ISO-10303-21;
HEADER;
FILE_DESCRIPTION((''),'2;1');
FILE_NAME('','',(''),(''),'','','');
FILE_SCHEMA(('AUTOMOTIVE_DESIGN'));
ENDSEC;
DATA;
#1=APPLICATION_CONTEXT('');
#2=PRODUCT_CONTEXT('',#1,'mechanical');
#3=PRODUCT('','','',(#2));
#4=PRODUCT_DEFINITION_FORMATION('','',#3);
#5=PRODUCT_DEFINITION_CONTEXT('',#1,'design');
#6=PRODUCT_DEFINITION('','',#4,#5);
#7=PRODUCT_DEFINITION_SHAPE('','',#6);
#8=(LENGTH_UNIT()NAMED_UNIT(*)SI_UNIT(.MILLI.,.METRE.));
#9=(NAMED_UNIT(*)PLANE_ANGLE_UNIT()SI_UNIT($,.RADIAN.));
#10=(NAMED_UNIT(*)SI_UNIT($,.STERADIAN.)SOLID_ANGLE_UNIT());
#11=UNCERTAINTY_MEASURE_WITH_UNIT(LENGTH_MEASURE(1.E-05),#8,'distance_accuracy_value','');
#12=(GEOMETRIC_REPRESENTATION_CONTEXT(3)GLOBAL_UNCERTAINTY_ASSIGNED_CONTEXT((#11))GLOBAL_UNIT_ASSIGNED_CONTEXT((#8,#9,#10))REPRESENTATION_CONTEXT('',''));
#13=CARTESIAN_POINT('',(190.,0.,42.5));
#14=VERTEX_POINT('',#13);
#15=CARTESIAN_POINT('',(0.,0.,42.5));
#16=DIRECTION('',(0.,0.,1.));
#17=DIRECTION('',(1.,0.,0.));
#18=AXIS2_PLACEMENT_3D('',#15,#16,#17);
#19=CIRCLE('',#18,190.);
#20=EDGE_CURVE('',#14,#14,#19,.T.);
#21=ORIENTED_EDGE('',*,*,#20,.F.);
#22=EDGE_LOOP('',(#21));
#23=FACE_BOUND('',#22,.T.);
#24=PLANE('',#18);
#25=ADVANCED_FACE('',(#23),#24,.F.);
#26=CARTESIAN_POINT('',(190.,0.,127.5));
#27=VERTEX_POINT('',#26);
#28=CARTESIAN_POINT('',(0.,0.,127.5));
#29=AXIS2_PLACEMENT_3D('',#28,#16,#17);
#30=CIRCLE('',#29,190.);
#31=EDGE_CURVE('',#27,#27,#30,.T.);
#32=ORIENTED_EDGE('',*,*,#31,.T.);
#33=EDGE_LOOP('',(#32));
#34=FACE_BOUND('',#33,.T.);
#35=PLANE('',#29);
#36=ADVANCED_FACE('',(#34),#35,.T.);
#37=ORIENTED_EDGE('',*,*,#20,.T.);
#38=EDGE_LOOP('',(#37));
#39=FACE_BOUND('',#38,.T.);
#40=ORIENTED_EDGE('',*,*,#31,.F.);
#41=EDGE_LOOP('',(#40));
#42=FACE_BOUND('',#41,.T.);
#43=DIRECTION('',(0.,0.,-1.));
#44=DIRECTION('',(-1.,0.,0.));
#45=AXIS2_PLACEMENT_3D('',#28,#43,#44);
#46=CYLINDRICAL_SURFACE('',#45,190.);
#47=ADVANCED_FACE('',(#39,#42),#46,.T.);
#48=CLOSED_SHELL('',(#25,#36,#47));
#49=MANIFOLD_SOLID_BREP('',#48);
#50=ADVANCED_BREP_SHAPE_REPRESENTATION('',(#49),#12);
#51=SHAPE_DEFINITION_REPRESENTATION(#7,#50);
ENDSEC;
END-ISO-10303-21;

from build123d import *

# Parameters (mm, degrees)
IZIM3_R                     = 380
Y_KSEKLIK_EKSTR_ZYON3_DEPTH = 170
SCALE1_SCALE                = 0.5


with BuildPart() as part:
    # Çizim3 → Yükseklik-Ekstrüzyon3 (new body)
    with BuildSketch(Plane.XY):
        Circle(IZIM3_R)
    extrude(amount=Y_KSEKLIK_EKSTR_ZYON3_DEPTH)


with BuildPart() as part_1:
    # Scale1: scaled about (0, 0, 85)
    add(part.part.scale(SCALE1_SCALE).moved(Location((0, 0, 42.5))))


solid = part_1.part
